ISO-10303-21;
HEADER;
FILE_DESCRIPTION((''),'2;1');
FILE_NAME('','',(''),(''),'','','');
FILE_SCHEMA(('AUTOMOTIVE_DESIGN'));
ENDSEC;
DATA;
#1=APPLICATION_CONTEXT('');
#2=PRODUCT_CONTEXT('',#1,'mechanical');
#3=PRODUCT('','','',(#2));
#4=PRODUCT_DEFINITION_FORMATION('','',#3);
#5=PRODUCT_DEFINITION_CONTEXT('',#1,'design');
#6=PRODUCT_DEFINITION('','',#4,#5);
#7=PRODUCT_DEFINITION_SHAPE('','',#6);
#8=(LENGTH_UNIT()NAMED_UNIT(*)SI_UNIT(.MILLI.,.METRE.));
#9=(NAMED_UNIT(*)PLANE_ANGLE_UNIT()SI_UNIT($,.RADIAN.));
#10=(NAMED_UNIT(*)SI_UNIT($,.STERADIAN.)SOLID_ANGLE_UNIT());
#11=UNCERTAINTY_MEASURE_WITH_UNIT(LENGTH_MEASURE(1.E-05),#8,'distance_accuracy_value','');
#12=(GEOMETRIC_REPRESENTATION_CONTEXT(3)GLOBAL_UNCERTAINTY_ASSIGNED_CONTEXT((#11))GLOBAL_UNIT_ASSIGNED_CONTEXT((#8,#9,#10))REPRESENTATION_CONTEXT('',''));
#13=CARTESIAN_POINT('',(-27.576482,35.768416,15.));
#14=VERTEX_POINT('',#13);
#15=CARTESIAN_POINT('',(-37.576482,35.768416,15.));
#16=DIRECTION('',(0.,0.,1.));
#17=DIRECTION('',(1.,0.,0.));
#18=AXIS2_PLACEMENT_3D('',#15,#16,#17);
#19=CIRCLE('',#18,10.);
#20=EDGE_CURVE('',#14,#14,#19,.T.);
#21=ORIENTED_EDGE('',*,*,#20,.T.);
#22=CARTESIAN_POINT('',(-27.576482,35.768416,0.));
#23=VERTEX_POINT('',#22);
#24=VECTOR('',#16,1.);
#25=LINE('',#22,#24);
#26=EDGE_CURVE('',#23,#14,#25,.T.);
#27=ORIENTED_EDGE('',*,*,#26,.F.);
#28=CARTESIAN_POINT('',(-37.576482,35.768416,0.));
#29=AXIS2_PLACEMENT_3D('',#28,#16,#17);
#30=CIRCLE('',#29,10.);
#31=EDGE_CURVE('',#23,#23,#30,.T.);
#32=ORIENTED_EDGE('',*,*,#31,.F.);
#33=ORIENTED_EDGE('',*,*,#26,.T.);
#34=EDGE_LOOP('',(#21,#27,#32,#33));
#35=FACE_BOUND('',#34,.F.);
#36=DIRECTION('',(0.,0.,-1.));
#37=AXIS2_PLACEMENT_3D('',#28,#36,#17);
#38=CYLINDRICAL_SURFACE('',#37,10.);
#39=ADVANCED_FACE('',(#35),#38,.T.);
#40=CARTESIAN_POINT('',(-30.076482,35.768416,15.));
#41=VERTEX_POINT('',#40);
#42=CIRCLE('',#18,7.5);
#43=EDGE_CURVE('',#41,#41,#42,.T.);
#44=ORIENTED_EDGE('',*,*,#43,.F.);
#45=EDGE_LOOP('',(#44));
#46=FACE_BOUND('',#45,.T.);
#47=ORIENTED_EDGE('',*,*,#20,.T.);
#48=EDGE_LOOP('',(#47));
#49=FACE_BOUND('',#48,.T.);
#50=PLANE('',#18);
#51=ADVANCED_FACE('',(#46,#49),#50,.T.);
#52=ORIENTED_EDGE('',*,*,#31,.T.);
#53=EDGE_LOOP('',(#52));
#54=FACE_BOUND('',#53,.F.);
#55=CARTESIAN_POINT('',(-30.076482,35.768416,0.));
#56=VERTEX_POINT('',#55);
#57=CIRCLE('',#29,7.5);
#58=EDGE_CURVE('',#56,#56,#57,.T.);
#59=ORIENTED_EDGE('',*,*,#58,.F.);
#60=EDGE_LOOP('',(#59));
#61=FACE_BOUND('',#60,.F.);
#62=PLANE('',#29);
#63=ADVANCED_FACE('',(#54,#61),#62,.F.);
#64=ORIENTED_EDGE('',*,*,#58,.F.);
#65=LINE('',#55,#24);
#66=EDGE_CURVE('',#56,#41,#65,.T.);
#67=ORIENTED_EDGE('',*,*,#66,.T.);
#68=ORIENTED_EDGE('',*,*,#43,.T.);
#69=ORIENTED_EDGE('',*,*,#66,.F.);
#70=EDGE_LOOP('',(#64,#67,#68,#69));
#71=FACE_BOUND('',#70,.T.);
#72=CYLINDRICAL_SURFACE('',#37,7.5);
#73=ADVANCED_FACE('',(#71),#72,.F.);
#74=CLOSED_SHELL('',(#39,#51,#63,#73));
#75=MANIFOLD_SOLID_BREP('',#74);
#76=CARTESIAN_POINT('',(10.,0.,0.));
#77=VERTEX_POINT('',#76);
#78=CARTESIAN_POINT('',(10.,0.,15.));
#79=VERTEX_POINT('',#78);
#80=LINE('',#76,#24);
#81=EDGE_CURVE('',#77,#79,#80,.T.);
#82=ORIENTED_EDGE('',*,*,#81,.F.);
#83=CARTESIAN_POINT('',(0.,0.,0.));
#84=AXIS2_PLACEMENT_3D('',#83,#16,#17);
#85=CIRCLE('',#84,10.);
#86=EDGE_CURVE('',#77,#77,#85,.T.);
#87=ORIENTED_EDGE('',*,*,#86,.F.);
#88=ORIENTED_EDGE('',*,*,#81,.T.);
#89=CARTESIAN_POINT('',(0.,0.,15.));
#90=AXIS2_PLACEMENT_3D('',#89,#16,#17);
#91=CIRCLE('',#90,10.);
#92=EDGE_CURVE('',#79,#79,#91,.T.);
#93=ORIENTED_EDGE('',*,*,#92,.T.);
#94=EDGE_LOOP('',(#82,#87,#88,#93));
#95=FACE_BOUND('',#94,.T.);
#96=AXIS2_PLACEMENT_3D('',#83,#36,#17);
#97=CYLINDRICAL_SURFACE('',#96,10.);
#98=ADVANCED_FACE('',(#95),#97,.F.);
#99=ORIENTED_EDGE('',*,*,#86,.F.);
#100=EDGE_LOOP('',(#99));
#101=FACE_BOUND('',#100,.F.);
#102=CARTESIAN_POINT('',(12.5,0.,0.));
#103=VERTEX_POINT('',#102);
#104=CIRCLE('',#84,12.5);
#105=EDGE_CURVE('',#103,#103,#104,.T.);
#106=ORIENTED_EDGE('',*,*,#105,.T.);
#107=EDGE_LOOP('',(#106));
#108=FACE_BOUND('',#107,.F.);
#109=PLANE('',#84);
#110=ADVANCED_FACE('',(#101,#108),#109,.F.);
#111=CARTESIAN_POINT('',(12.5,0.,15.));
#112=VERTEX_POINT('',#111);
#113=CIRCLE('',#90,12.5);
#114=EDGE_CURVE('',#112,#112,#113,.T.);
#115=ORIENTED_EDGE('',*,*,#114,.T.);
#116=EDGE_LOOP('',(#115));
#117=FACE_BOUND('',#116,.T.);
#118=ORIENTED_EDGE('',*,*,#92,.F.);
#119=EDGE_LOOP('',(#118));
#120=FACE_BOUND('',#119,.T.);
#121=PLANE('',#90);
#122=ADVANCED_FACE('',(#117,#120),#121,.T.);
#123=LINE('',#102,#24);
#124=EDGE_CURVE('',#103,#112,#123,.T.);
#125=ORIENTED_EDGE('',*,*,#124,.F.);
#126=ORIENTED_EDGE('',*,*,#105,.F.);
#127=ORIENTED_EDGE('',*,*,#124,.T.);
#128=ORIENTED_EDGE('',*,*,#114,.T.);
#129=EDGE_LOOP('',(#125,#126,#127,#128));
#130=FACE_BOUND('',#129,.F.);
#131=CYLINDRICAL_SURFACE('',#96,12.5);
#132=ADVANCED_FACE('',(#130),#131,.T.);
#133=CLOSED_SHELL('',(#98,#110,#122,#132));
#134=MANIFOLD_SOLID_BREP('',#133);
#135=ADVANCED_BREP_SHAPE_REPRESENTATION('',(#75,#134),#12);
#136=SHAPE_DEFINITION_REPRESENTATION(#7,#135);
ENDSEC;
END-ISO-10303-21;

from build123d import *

# Parameters (mm, degrees)
F0_R     = 12.5
F0_R_2   = 10
F0_R_3   = 7.5
F1_DEPTH = 15


with BuildPart() as f1:
    # F0 (on Top) → F1 (new body)
    with BuildSketch(Plane.XY):
        Circle(F0_R)
        Circle(F0_R_2, mode=Mode.SUBTRACT)
        with Locations((-37.576482, 35.768416)):
            Circle(F0_R_2)
        with Locations((-37.576482, 35.768416)):
            Circle(F0_R_3, mode=Mode.SUBTRACT)
    extrude(amount=F1_DEPTH)


solid = f1.part
